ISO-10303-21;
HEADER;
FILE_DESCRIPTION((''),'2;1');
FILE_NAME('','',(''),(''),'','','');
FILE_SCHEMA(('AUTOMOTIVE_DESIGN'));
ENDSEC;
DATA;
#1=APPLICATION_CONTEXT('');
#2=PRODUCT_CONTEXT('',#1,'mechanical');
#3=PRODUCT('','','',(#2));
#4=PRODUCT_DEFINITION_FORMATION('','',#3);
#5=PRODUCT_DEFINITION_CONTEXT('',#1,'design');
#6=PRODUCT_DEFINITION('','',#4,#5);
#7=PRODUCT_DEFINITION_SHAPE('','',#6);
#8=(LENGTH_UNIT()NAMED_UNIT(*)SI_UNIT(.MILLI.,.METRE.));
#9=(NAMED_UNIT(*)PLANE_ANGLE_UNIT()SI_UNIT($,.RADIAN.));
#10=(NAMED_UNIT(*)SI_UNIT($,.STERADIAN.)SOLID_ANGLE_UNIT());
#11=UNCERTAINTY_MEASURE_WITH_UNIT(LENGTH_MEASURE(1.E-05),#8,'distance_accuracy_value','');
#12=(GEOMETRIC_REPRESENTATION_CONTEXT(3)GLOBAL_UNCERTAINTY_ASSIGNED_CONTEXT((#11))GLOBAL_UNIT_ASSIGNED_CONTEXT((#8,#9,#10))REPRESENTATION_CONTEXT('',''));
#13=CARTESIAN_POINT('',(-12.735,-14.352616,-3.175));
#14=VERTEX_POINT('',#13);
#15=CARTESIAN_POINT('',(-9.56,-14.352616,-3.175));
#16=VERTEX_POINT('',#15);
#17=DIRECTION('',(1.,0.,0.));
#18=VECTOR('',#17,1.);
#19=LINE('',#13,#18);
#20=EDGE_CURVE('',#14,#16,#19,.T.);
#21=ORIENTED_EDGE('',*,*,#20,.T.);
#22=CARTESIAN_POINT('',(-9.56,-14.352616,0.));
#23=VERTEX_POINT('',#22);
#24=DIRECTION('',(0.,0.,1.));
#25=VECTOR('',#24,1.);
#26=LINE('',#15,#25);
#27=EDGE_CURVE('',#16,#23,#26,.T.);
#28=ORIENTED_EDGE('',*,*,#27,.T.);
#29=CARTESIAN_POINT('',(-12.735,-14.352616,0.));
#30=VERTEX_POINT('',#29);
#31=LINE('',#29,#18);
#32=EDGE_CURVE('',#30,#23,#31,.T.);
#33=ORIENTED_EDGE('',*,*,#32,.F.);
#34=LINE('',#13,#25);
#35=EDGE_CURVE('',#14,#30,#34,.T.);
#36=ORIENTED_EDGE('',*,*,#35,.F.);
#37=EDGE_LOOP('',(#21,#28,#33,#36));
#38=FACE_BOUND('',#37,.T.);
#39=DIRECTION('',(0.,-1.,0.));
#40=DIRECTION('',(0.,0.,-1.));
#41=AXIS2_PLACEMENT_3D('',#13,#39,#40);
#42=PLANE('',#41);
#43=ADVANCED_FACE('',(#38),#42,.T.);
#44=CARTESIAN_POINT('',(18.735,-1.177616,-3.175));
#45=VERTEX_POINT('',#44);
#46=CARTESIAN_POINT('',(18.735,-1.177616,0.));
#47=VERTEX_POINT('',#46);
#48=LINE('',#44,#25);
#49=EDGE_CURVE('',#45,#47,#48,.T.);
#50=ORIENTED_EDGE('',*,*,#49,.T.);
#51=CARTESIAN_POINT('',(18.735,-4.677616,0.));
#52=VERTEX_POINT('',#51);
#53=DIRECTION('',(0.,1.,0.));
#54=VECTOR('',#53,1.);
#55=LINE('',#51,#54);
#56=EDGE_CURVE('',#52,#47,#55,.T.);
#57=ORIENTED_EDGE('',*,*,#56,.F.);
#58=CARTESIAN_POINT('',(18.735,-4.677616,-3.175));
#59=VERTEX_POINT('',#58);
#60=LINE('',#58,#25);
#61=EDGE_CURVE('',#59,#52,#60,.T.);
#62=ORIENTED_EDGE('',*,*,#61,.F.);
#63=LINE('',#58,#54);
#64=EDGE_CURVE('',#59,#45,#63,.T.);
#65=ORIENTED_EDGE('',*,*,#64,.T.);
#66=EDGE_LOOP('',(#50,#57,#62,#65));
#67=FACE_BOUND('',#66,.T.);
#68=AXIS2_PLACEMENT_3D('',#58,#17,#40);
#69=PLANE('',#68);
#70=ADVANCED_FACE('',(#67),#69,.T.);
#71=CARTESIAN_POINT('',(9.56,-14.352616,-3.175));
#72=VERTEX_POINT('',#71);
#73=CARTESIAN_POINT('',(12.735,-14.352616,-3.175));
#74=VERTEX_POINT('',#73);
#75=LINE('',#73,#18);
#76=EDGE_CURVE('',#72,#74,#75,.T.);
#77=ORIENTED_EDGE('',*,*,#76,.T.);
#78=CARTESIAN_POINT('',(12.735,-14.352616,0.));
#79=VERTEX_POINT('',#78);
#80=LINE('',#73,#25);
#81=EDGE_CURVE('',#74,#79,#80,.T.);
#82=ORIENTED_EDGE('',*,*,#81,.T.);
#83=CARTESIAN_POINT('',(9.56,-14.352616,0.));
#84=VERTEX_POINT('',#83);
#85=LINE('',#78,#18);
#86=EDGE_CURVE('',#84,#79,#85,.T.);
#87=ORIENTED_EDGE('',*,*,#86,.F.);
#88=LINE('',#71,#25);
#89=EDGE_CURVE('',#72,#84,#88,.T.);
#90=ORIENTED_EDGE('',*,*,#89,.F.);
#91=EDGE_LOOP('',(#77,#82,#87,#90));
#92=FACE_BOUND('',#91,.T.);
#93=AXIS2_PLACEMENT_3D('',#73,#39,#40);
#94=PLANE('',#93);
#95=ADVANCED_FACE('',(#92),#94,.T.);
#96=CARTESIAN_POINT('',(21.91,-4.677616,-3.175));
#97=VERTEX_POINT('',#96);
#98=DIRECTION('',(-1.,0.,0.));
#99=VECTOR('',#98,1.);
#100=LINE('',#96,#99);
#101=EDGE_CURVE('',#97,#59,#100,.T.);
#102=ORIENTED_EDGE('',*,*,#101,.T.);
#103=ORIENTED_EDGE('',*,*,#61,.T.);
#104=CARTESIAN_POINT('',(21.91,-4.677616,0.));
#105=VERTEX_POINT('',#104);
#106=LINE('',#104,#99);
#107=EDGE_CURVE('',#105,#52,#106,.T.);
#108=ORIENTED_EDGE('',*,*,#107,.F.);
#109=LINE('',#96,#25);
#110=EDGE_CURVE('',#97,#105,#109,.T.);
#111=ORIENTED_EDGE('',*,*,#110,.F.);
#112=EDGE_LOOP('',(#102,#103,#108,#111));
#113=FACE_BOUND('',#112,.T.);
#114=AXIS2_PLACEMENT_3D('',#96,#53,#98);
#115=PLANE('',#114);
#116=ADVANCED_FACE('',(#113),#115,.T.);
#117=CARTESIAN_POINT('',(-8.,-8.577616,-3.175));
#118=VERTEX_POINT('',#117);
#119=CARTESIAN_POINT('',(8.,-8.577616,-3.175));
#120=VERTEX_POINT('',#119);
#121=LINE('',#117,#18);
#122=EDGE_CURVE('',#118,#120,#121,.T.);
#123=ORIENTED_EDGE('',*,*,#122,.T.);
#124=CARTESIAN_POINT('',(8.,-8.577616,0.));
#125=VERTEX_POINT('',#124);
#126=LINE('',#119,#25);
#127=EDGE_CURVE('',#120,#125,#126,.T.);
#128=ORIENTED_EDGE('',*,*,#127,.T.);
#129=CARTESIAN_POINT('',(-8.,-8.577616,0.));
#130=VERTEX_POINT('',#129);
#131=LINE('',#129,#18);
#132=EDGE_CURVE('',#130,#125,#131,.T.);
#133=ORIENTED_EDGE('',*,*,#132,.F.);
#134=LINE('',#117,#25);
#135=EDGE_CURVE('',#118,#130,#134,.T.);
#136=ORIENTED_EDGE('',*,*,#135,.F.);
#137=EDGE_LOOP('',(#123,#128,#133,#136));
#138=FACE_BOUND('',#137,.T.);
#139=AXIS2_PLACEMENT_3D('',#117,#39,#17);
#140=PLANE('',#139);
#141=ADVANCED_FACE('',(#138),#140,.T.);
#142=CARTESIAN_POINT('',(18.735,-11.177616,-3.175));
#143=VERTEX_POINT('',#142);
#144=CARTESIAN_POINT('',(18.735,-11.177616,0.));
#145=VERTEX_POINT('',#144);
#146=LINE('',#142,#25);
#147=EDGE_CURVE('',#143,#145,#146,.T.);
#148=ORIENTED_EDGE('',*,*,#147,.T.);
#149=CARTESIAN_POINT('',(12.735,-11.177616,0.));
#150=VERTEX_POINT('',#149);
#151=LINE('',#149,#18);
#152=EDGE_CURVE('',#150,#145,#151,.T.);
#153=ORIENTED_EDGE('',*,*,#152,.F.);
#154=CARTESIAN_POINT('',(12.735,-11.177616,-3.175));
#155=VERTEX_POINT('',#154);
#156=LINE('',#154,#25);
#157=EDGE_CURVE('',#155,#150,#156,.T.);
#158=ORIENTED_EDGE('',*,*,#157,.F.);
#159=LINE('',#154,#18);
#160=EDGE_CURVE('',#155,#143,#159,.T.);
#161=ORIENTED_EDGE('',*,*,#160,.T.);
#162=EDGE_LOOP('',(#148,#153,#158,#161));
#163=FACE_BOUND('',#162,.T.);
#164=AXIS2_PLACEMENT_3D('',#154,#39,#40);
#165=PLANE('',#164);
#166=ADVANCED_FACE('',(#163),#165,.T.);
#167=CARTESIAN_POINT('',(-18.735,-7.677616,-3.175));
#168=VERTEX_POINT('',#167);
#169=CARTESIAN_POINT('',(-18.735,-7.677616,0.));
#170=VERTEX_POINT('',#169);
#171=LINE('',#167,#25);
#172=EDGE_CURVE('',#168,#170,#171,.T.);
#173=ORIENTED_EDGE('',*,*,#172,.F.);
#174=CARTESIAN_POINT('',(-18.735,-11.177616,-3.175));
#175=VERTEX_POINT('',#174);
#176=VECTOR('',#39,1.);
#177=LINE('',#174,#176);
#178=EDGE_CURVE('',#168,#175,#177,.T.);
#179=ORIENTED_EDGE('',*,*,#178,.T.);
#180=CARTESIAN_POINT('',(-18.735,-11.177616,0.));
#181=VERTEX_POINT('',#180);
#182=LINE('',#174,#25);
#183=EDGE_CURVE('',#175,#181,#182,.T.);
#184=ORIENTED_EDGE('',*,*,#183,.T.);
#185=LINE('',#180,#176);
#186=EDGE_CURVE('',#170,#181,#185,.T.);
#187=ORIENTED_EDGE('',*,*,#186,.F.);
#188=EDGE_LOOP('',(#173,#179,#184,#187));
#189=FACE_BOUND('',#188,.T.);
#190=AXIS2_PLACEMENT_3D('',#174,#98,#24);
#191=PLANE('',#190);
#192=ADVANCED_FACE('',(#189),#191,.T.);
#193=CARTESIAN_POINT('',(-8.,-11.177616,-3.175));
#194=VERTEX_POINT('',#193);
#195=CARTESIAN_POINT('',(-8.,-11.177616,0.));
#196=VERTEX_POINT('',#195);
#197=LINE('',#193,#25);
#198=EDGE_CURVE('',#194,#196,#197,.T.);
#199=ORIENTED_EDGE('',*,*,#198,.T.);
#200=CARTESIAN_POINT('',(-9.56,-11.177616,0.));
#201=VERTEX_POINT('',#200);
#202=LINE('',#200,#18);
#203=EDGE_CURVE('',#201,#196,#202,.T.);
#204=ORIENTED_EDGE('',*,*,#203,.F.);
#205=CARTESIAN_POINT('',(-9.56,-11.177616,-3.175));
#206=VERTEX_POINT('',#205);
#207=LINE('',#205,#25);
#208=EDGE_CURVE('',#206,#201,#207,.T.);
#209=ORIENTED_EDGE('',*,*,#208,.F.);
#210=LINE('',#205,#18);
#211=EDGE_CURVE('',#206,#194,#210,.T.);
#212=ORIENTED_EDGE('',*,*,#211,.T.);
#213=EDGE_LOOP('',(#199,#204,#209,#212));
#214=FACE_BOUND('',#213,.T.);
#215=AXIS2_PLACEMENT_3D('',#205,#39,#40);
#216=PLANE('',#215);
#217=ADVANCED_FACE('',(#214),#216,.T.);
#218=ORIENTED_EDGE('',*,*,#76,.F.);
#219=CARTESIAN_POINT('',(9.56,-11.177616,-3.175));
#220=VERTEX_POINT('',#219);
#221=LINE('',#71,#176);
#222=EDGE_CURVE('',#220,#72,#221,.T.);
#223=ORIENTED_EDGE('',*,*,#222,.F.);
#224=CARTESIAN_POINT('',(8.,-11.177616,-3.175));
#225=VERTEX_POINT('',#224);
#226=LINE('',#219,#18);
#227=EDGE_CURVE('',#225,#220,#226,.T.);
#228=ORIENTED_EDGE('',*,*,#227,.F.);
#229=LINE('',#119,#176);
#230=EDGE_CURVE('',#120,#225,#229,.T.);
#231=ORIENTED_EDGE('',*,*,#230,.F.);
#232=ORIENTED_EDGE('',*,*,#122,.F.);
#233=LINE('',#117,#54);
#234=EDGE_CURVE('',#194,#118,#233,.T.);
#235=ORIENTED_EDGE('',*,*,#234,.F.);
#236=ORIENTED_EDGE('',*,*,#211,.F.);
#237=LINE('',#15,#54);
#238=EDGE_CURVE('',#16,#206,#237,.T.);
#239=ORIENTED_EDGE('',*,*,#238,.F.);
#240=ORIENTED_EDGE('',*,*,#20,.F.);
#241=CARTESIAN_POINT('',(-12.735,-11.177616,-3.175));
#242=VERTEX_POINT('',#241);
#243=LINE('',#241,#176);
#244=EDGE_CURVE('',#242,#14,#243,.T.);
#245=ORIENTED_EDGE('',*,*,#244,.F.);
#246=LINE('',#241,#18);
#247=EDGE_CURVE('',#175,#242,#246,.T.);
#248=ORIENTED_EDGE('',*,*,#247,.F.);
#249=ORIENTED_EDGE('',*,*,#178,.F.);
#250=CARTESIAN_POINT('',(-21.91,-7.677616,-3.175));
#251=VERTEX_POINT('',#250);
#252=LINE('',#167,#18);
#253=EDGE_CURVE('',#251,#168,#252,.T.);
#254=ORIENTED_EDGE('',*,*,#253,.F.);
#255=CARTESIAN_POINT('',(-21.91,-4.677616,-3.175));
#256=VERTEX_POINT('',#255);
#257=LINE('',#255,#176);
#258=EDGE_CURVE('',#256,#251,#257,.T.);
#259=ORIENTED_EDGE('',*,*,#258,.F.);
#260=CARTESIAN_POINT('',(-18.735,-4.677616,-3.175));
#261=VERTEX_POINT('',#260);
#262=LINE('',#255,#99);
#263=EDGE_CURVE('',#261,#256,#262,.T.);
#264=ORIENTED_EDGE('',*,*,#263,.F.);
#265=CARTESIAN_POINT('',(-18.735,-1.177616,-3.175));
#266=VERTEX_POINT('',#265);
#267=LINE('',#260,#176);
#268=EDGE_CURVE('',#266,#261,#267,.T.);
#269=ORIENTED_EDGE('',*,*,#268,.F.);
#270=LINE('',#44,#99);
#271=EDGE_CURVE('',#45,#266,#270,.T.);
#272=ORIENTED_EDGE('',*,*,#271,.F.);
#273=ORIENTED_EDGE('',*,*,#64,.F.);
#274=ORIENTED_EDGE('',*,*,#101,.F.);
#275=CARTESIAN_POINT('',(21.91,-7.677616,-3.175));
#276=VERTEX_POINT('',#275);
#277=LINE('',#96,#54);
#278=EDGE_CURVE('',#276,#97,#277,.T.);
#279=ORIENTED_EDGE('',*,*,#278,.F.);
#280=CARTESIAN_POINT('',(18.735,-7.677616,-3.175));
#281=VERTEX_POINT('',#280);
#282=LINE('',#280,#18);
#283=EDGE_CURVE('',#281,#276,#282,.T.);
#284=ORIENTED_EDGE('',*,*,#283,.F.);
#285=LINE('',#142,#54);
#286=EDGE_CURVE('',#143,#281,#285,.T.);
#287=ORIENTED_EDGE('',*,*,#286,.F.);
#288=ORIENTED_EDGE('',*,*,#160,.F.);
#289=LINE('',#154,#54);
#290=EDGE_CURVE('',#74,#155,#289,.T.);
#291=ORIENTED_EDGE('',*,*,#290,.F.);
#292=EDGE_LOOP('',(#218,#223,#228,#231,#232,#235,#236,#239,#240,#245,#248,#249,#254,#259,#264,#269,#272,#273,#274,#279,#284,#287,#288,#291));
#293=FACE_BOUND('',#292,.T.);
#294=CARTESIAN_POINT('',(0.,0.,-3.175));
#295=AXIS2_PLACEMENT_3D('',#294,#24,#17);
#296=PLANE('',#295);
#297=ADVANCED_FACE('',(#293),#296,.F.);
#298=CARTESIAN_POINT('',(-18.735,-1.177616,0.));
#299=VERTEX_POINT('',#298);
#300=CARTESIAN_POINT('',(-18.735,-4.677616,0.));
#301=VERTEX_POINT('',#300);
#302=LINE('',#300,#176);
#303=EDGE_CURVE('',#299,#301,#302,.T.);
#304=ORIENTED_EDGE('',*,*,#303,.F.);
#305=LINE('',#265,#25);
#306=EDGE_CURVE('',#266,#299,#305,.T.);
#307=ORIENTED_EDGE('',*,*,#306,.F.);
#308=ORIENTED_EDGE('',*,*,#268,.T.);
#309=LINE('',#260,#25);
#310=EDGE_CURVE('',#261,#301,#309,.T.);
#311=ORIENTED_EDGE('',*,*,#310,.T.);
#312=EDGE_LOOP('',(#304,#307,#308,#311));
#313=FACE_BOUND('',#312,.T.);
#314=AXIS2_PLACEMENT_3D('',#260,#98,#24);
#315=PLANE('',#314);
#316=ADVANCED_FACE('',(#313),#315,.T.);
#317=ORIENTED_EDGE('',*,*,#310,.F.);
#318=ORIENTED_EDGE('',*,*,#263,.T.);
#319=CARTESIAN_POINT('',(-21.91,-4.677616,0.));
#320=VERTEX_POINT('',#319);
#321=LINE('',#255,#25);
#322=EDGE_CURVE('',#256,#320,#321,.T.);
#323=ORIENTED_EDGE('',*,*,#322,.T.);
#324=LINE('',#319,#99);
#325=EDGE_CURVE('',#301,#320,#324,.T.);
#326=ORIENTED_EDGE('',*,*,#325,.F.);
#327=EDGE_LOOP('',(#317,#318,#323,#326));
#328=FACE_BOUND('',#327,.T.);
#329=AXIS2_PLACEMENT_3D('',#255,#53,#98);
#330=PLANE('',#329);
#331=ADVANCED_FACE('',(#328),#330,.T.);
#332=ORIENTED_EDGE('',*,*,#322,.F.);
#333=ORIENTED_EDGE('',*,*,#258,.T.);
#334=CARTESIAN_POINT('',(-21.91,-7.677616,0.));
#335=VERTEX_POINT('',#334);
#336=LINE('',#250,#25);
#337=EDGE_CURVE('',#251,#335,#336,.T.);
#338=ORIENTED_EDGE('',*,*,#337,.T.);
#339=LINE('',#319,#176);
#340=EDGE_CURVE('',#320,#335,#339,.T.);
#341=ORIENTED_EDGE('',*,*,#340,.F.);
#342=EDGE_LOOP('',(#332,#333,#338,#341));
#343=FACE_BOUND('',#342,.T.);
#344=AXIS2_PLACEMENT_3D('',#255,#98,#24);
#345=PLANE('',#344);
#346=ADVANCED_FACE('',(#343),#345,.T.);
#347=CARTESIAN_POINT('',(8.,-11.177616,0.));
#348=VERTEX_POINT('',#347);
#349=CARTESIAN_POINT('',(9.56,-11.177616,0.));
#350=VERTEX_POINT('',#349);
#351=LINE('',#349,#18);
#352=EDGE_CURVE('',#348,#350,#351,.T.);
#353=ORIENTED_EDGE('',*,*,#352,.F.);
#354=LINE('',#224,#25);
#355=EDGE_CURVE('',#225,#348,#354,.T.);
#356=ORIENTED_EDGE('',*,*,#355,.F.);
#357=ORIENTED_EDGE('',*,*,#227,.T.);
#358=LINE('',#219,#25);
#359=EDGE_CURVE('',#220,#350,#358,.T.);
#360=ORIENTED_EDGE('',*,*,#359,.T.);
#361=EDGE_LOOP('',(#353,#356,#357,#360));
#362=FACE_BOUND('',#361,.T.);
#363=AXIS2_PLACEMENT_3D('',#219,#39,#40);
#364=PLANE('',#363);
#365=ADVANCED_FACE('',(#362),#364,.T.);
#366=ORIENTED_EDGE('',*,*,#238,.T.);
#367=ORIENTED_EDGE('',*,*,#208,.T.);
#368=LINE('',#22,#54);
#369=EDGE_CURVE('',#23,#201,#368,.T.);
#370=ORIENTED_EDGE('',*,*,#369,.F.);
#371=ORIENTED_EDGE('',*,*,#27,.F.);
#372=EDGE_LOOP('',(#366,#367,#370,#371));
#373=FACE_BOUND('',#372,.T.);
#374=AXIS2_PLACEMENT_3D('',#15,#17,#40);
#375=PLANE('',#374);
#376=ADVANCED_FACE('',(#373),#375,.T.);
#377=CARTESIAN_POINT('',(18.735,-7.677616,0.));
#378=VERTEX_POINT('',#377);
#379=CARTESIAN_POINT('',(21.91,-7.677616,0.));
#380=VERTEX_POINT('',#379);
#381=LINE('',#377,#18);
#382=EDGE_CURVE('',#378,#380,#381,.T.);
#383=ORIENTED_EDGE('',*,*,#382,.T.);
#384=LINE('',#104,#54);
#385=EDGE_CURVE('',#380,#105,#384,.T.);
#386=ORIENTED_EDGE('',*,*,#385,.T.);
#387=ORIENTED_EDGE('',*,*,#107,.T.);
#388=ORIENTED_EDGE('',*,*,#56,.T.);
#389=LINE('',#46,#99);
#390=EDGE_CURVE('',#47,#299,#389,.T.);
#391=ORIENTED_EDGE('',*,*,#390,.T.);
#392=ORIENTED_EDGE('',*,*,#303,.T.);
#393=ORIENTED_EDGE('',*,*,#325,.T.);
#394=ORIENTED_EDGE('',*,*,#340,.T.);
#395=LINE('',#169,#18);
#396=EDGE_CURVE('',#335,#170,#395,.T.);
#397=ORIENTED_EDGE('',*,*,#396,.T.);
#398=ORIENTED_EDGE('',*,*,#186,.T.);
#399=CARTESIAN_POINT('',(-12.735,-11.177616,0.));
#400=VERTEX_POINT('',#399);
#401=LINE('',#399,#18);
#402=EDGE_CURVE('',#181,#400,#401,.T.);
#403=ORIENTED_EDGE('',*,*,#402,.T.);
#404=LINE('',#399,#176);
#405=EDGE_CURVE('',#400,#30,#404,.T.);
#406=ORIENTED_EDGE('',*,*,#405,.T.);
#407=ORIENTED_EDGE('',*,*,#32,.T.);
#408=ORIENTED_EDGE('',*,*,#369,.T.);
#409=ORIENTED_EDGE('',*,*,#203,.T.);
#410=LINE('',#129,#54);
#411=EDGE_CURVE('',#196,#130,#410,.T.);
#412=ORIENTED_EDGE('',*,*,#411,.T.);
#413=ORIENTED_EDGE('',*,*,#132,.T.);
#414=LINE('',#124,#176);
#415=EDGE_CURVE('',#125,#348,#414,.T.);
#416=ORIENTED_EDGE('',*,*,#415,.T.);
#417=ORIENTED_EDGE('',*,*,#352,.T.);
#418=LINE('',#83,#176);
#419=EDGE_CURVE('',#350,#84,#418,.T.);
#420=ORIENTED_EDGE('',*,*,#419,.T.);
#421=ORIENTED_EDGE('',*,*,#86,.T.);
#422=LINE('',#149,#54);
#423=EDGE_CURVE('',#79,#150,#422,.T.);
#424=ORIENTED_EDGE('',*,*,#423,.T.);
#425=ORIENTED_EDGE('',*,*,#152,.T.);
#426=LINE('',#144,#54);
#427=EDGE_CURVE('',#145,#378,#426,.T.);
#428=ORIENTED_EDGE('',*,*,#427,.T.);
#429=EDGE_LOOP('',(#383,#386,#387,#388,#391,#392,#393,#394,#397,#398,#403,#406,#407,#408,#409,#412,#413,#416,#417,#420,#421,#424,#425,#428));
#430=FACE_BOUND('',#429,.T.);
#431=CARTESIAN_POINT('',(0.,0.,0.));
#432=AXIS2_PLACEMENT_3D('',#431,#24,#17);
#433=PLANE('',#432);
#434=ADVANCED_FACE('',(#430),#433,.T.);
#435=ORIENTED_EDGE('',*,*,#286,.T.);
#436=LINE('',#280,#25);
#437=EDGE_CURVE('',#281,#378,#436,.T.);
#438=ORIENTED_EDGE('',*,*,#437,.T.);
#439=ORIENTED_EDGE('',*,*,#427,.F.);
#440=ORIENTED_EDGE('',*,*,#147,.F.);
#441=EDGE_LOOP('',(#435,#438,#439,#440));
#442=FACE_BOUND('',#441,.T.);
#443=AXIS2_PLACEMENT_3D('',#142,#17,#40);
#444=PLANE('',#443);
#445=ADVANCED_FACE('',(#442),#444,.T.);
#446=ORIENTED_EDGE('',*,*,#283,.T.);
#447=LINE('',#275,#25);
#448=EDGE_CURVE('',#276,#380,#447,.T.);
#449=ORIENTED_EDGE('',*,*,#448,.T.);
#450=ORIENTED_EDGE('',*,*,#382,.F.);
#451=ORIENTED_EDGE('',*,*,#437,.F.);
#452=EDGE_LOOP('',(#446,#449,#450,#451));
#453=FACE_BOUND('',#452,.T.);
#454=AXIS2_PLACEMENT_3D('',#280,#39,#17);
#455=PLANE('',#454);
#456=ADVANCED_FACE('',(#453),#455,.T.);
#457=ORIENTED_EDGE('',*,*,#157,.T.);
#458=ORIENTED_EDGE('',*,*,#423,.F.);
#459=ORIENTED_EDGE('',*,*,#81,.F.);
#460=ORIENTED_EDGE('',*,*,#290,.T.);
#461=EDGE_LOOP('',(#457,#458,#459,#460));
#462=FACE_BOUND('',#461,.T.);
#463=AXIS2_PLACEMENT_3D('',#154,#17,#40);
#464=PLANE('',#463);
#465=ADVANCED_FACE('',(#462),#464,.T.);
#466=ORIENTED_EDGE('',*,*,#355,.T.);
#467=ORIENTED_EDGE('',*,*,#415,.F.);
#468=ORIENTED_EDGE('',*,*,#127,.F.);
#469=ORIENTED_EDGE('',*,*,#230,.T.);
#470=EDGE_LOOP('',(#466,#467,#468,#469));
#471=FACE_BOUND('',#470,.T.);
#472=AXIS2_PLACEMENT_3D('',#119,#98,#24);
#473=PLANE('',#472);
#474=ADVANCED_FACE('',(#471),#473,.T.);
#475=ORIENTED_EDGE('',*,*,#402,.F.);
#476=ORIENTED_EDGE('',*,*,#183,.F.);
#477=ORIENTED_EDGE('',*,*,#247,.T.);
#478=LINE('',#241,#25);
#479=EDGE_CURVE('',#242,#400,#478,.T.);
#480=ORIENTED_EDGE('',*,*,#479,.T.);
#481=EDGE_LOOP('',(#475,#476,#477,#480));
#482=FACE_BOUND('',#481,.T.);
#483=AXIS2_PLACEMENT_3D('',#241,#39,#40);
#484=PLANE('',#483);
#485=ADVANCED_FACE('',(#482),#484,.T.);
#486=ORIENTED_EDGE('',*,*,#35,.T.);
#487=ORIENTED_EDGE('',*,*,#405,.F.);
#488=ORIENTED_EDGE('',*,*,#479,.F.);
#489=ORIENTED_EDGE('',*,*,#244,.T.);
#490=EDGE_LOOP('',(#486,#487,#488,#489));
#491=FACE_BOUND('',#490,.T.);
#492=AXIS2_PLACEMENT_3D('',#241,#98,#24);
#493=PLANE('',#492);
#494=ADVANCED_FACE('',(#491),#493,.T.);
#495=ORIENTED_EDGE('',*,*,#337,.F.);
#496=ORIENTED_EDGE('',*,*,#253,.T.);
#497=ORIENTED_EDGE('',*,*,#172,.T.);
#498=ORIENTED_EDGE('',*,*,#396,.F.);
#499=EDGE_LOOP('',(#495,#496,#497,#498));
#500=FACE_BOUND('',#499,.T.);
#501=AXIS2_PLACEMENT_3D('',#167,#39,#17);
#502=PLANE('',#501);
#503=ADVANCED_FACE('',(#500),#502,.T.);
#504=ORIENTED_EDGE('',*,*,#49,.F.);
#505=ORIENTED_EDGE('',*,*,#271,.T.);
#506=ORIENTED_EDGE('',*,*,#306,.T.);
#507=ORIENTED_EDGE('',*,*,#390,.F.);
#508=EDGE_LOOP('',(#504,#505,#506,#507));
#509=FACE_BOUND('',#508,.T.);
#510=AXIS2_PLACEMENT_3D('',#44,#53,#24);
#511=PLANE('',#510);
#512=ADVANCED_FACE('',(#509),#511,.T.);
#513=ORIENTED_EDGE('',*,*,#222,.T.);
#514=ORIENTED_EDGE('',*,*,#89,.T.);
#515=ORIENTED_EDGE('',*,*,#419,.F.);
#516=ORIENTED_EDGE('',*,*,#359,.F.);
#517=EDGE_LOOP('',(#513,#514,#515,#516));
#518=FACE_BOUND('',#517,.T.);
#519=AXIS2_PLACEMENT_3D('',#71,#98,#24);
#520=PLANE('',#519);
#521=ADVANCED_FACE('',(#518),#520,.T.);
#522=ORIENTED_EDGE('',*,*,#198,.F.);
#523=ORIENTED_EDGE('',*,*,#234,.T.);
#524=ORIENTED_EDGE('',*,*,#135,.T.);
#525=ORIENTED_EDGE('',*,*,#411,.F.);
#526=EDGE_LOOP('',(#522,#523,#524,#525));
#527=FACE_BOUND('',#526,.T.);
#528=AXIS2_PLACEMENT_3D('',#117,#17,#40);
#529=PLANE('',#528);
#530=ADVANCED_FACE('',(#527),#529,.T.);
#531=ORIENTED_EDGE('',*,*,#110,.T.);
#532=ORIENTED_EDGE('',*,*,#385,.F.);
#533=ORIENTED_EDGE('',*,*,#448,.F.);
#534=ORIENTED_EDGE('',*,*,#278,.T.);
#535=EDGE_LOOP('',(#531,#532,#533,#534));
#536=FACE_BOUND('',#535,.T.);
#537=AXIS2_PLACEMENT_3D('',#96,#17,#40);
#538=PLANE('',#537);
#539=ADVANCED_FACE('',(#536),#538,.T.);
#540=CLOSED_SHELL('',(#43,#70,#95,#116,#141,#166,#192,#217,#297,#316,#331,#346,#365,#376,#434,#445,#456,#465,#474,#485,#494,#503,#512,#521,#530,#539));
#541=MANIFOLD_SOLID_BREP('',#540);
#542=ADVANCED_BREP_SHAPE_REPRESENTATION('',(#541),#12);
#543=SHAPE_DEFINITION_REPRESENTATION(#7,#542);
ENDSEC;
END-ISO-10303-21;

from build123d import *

# Parameters (mm, degrees)
BOSS_EXTRUDE1_DEPTH = 3.175


with BuildPart() as part:
    # Sketch2 → Boss-Extrude1 (new body)
    with BuildSketch(Plane.XY):
        Polygon((12.735, -11.177615915), (12.735, -14.352615915), (9.56, -14.352615915), (9.56, -11.177615915), (8, -11.177615915), (8, -8.577615915), (-8, -8.577615915), (-8, -11.177615915), (-9.56, -11.177615915), (-9.56, -14.352615915), (-12.735, -14.352615915), (-12.735, -11.177615915), (-18.735, -11.177615915), (-18.735, -7.677615915), (-21.91, -7.677615915), (-21.91, -4.677615915), (-18.735, -4.677615915), (-18.735, -1.177615915), (18.735, -1.177615915), (18.735, -4.677615915), (21.91, -4.677615915), (21.91, -7.677615915), (18.735, -7.677615915), (18.735, -11.177615915), align=None)
    extrude(amount=-BOSS_EXTRUDE1_DEPTH)


solid = part.part
